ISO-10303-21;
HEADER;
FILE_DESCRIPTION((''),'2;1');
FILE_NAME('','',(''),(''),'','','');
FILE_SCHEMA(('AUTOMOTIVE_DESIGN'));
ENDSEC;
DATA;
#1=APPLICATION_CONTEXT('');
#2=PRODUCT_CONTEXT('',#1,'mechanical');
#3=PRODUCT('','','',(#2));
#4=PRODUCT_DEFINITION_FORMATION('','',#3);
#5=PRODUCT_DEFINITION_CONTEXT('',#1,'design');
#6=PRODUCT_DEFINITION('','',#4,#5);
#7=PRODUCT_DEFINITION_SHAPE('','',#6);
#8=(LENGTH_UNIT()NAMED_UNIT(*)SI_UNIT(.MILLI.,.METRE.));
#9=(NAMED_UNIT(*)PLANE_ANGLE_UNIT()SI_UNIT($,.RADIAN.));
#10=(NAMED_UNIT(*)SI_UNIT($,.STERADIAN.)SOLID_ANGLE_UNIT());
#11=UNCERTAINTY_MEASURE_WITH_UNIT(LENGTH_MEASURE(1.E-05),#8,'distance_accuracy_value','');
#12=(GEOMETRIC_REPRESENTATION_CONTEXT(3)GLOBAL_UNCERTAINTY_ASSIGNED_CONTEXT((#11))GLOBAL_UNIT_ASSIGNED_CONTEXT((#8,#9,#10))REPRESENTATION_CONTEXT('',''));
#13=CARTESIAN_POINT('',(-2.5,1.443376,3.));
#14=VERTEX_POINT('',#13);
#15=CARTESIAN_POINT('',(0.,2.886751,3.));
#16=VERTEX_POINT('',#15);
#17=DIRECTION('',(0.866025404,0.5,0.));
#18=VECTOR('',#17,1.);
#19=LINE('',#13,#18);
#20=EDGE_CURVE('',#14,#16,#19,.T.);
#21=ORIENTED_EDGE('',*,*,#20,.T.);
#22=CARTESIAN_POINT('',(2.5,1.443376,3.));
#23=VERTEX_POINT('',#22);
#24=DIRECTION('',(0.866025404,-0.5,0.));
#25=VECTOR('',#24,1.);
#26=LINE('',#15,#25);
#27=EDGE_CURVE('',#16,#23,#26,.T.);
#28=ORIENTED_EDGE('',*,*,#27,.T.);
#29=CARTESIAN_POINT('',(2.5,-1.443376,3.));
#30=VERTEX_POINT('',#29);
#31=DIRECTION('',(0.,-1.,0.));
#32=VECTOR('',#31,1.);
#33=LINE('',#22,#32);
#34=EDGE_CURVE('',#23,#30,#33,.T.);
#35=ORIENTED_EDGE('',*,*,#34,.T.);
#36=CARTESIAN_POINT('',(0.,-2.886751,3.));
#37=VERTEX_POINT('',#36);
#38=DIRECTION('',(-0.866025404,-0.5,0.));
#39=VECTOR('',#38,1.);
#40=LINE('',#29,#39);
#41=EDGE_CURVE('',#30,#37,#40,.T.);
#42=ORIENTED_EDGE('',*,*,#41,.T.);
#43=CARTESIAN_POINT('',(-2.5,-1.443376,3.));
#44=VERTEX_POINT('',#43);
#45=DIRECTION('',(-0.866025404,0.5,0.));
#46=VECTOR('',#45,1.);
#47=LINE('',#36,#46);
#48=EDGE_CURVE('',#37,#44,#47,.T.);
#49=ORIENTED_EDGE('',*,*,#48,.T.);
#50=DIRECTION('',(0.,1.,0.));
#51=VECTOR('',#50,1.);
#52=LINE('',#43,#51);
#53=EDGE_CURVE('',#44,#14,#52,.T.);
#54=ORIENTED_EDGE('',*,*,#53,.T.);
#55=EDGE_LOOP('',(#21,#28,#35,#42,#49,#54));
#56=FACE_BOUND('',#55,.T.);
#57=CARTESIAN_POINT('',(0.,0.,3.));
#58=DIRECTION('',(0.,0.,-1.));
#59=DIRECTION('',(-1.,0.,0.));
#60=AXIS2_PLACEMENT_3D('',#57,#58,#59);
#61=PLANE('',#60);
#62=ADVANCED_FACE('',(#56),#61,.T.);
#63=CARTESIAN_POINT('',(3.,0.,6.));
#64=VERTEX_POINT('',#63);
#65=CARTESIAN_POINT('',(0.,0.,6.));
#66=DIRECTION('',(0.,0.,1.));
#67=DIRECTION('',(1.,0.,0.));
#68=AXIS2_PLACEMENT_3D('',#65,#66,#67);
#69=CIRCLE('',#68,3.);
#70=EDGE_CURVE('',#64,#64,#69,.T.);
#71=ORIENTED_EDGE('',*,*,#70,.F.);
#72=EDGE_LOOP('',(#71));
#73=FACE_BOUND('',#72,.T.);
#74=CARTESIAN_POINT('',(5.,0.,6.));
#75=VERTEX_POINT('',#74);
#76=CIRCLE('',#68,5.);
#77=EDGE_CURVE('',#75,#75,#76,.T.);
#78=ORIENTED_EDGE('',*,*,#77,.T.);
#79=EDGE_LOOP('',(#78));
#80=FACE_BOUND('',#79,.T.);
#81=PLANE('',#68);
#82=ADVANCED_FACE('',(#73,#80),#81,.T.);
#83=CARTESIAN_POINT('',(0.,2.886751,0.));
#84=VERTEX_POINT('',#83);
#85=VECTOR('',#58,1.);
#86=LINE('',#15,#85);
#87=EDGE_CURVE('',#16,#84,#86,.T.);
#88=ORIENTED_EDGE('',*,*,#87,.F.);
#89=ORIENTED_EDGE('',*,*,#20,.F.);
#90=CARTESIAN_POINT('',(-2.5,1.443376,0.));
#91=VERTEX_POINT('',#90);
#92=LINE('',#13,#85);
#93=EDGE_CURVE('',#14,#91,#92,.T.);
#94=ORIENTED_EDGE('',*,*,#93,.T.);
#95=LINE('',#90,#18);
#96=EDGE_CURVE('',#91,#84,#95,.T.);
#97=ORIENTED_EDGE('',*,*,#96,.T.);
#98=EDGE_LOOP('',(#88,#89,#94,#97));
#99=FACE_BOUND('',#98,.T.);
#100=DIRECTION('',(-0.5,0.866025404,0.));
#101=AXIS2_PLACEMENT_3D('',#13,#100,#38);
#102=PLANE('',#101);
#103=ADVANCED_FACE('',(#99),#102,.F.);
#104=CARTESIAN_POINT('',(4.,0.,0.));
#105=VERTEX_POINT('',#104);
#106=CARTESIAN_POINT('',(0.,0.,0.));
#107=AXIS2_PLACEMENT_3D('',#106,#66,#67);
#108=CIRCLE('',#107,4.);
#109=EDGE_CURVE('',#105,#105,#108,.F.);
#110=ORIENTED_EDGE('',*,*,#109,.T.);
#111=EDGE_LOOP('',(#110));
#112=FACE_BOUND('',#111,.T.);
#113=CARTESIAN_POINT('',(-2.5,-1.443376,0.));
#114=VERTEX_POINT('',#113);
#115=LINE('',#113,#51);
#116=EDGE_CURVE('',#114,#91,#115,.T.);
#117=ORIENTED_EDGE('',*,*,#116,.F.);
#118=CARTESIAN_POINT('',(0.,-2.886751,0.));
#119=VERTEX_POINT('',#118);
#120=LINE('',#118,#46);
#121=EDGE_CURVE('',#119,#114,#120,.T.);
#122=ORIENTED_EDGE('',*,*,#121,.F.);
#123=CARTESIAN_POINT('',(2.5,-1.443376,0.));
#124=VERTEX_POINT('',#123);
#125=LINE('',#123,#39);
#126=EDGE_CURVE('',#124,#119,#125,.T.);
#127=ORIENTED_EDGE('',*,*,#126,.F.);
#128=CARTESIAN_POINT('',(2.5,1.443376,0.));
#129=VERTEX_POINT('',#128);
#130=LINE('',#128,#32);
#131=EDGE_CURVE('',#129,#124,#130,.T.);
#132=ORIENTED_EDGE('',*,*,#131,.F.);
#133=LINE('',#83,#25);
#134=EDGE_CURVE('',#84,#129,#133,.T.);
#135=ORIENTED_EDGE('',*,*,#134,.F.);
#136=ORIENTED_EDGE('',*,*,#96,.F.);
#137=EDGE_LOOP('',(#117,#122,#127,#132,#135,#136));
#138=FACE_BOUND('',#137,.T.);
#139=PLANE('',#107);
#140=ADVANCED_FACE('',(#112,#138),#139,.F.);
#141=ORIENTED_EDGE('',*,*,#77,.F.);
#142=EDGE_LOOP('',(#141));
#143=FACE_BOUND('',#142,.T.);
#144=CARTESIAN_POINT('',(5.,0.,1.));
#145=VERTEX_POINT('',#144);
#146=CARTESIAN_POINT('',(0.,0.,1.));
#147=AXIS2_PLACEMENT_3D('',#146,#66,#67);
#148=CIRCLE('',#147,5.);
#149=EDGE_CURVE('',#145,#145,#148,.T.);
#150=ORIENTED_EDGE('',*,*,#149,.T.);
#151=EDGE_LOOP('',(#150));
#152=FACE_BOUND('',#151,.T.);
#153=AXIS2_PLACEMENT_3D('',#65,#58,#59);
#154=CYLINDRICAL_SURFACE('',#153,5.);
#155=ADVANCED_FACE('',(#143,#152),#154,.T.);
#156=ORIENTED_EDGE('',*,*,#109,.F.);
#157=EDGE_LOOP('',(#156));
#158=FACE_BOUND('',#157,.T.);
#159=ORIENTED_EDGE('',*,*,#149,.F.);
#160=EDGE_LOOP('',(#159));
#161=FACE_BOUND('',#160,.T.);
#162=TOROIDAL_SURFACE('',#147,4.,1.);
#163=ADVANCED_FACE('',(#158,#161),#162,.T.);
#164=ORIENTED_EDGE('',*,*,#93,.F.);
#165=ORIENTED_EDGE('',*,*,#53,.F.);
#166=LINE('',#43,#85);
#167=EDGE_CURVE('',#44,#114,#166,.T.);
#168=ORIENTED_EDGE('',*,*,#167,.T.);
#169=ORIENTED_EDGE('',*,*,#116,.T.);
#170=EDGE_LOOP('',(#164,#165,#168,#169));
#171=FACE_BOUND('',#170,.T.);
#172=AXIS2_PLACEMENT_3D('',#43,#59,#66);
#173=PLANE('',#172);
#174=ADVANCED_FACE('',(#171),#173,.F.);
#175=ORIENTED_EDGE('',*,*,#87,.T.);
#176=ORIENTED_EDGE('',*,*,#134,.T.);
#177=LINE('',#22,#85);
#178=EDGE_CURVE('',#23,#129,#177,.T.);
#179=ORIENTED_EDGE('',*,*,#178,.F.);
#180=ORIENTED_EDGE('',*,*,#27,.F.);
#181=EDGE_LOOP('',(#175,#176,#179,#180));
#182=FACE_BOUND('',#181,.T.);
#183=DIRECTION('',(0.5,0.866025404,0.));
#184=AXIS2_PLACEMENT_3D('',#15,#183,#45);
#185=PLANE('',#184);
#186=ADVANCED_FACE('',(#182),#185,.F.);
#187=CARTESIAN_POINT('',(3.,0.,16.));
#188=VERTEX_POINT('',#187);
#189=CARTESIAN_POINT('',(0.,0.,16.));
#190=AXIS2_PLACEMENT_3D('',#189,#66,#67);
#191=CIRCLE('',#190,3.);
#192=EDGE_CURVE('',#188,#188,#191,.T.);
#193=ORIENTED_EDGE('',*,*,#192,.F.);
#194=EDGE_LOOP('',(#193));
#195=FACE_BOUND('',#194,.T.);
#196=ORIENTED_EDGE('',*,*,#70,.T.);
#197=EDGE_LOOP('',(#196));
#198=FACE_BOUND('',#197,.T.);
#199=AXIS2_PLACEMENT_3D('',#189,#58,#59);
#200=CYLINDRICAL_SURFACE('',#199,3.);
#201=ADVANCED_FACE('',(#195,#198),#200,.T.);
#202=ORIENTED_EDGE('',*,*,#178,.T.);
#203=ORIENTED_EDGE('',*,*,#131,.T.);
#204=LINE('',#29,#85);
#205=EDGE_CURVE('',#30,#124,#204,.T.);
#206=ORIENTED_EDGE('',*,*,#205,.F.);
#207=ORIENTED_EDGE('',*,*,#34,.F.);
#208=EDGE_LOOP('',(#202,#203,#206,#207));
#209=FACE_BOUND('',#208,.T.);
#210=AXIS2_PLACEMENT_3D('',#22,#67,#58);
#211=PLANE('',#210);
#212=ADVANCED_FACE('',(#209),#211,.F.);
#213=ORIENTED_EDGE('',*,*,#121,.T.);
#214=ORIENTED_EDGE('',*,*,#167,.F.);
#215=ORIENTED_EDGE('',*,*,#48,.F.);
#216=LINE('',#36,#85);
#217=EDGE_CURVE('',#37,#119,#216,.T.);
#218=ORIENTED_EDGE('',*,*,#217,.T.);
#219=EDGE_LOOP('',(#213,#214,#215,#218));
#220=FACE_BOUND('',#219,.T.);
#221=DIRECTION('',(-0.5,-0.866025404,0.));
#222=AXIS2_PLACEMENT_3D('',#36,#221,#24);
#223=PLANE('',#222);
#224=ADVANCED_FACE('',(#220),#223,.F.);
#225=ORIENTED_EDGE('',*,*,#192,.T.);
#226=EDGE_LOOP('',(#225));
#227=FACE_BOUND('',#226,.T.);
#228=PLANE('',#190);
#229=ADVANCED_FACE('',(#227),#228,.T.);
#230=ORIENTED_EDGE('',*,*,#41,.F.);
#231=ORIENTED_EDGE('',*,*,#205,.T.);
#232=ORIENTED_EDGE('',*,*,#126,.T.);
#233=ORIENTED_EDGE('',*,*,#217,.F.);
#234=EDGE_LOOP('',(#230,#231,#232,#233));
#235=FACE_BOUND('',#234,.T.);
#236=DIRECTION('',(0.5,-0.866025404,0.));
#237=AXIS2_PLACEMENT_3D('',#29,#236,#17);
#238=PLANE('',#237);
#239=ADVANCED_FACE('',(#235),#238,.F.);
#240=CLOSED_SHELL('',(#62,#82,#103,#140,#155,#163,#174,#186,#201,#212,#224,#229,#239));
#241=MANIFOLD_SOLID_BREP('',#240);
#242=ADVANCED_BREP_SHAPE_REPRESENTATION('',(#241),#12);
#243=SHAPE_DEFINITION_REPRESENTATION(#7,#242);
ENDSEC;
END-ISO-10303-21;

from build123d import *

# Parameters (mm, degrees)
SKETCH_1_R          = 5
EXTRUDE_1_DEPTH     = 6
SKETCH_2_R          = 3
EXTRUDE_2_DEPTH     = 10
CUT_EXTRUDE_1_DEPTH = 3
FILLET_1_R          = 1


with BuildPart() as part:
    # ｽｹｯﾁ1 → ﾎﾞｽ - 押し出し1 (new body)
    with BuildSketch(Plane.XY):
        Circle(SKETCH_1_R)
    extrude(amount=EXTRUDE_1_DEPTH)

    # ｽｹｯﾁ2 → ﾎﾞｽ - 押し出し2 (add)
    with BuildSketch(Plane.XY.offset(6)):
        Circle(SKETCH_2_R)
    extrude(amount=EXTRUDE_2_DEPTH)

    # ｽｹｯﾁ3 → ｶｯﾄ - 押し出し1 (cut)
    with BuildSketch(Plane(origin=(0, 0, 0), x_dir=(-1, 0, 0), z_dir=(0, 0, -1))):
        Polygon((-2.5, -1.443375673), (0, -2.886751346), (2.5, -1.443375673), (2.5, 1.443375673), (0, 2.886751346), (-2.5, 1.443375673), align=None)
    extrude(amount=-CUT_EXTRUDE_1_DEPTH, mode=Mode.SUBTRACT)

    # ﾌｨﾚｯﾄ1
    fillet_1_edges = [part.edges().sort_by_distance(p)[0] for p in [
        (-5, 0, 0),
    ]]
    fillet(fillet_1_edges, radius=FILLET_1_R)


solid = part.part
